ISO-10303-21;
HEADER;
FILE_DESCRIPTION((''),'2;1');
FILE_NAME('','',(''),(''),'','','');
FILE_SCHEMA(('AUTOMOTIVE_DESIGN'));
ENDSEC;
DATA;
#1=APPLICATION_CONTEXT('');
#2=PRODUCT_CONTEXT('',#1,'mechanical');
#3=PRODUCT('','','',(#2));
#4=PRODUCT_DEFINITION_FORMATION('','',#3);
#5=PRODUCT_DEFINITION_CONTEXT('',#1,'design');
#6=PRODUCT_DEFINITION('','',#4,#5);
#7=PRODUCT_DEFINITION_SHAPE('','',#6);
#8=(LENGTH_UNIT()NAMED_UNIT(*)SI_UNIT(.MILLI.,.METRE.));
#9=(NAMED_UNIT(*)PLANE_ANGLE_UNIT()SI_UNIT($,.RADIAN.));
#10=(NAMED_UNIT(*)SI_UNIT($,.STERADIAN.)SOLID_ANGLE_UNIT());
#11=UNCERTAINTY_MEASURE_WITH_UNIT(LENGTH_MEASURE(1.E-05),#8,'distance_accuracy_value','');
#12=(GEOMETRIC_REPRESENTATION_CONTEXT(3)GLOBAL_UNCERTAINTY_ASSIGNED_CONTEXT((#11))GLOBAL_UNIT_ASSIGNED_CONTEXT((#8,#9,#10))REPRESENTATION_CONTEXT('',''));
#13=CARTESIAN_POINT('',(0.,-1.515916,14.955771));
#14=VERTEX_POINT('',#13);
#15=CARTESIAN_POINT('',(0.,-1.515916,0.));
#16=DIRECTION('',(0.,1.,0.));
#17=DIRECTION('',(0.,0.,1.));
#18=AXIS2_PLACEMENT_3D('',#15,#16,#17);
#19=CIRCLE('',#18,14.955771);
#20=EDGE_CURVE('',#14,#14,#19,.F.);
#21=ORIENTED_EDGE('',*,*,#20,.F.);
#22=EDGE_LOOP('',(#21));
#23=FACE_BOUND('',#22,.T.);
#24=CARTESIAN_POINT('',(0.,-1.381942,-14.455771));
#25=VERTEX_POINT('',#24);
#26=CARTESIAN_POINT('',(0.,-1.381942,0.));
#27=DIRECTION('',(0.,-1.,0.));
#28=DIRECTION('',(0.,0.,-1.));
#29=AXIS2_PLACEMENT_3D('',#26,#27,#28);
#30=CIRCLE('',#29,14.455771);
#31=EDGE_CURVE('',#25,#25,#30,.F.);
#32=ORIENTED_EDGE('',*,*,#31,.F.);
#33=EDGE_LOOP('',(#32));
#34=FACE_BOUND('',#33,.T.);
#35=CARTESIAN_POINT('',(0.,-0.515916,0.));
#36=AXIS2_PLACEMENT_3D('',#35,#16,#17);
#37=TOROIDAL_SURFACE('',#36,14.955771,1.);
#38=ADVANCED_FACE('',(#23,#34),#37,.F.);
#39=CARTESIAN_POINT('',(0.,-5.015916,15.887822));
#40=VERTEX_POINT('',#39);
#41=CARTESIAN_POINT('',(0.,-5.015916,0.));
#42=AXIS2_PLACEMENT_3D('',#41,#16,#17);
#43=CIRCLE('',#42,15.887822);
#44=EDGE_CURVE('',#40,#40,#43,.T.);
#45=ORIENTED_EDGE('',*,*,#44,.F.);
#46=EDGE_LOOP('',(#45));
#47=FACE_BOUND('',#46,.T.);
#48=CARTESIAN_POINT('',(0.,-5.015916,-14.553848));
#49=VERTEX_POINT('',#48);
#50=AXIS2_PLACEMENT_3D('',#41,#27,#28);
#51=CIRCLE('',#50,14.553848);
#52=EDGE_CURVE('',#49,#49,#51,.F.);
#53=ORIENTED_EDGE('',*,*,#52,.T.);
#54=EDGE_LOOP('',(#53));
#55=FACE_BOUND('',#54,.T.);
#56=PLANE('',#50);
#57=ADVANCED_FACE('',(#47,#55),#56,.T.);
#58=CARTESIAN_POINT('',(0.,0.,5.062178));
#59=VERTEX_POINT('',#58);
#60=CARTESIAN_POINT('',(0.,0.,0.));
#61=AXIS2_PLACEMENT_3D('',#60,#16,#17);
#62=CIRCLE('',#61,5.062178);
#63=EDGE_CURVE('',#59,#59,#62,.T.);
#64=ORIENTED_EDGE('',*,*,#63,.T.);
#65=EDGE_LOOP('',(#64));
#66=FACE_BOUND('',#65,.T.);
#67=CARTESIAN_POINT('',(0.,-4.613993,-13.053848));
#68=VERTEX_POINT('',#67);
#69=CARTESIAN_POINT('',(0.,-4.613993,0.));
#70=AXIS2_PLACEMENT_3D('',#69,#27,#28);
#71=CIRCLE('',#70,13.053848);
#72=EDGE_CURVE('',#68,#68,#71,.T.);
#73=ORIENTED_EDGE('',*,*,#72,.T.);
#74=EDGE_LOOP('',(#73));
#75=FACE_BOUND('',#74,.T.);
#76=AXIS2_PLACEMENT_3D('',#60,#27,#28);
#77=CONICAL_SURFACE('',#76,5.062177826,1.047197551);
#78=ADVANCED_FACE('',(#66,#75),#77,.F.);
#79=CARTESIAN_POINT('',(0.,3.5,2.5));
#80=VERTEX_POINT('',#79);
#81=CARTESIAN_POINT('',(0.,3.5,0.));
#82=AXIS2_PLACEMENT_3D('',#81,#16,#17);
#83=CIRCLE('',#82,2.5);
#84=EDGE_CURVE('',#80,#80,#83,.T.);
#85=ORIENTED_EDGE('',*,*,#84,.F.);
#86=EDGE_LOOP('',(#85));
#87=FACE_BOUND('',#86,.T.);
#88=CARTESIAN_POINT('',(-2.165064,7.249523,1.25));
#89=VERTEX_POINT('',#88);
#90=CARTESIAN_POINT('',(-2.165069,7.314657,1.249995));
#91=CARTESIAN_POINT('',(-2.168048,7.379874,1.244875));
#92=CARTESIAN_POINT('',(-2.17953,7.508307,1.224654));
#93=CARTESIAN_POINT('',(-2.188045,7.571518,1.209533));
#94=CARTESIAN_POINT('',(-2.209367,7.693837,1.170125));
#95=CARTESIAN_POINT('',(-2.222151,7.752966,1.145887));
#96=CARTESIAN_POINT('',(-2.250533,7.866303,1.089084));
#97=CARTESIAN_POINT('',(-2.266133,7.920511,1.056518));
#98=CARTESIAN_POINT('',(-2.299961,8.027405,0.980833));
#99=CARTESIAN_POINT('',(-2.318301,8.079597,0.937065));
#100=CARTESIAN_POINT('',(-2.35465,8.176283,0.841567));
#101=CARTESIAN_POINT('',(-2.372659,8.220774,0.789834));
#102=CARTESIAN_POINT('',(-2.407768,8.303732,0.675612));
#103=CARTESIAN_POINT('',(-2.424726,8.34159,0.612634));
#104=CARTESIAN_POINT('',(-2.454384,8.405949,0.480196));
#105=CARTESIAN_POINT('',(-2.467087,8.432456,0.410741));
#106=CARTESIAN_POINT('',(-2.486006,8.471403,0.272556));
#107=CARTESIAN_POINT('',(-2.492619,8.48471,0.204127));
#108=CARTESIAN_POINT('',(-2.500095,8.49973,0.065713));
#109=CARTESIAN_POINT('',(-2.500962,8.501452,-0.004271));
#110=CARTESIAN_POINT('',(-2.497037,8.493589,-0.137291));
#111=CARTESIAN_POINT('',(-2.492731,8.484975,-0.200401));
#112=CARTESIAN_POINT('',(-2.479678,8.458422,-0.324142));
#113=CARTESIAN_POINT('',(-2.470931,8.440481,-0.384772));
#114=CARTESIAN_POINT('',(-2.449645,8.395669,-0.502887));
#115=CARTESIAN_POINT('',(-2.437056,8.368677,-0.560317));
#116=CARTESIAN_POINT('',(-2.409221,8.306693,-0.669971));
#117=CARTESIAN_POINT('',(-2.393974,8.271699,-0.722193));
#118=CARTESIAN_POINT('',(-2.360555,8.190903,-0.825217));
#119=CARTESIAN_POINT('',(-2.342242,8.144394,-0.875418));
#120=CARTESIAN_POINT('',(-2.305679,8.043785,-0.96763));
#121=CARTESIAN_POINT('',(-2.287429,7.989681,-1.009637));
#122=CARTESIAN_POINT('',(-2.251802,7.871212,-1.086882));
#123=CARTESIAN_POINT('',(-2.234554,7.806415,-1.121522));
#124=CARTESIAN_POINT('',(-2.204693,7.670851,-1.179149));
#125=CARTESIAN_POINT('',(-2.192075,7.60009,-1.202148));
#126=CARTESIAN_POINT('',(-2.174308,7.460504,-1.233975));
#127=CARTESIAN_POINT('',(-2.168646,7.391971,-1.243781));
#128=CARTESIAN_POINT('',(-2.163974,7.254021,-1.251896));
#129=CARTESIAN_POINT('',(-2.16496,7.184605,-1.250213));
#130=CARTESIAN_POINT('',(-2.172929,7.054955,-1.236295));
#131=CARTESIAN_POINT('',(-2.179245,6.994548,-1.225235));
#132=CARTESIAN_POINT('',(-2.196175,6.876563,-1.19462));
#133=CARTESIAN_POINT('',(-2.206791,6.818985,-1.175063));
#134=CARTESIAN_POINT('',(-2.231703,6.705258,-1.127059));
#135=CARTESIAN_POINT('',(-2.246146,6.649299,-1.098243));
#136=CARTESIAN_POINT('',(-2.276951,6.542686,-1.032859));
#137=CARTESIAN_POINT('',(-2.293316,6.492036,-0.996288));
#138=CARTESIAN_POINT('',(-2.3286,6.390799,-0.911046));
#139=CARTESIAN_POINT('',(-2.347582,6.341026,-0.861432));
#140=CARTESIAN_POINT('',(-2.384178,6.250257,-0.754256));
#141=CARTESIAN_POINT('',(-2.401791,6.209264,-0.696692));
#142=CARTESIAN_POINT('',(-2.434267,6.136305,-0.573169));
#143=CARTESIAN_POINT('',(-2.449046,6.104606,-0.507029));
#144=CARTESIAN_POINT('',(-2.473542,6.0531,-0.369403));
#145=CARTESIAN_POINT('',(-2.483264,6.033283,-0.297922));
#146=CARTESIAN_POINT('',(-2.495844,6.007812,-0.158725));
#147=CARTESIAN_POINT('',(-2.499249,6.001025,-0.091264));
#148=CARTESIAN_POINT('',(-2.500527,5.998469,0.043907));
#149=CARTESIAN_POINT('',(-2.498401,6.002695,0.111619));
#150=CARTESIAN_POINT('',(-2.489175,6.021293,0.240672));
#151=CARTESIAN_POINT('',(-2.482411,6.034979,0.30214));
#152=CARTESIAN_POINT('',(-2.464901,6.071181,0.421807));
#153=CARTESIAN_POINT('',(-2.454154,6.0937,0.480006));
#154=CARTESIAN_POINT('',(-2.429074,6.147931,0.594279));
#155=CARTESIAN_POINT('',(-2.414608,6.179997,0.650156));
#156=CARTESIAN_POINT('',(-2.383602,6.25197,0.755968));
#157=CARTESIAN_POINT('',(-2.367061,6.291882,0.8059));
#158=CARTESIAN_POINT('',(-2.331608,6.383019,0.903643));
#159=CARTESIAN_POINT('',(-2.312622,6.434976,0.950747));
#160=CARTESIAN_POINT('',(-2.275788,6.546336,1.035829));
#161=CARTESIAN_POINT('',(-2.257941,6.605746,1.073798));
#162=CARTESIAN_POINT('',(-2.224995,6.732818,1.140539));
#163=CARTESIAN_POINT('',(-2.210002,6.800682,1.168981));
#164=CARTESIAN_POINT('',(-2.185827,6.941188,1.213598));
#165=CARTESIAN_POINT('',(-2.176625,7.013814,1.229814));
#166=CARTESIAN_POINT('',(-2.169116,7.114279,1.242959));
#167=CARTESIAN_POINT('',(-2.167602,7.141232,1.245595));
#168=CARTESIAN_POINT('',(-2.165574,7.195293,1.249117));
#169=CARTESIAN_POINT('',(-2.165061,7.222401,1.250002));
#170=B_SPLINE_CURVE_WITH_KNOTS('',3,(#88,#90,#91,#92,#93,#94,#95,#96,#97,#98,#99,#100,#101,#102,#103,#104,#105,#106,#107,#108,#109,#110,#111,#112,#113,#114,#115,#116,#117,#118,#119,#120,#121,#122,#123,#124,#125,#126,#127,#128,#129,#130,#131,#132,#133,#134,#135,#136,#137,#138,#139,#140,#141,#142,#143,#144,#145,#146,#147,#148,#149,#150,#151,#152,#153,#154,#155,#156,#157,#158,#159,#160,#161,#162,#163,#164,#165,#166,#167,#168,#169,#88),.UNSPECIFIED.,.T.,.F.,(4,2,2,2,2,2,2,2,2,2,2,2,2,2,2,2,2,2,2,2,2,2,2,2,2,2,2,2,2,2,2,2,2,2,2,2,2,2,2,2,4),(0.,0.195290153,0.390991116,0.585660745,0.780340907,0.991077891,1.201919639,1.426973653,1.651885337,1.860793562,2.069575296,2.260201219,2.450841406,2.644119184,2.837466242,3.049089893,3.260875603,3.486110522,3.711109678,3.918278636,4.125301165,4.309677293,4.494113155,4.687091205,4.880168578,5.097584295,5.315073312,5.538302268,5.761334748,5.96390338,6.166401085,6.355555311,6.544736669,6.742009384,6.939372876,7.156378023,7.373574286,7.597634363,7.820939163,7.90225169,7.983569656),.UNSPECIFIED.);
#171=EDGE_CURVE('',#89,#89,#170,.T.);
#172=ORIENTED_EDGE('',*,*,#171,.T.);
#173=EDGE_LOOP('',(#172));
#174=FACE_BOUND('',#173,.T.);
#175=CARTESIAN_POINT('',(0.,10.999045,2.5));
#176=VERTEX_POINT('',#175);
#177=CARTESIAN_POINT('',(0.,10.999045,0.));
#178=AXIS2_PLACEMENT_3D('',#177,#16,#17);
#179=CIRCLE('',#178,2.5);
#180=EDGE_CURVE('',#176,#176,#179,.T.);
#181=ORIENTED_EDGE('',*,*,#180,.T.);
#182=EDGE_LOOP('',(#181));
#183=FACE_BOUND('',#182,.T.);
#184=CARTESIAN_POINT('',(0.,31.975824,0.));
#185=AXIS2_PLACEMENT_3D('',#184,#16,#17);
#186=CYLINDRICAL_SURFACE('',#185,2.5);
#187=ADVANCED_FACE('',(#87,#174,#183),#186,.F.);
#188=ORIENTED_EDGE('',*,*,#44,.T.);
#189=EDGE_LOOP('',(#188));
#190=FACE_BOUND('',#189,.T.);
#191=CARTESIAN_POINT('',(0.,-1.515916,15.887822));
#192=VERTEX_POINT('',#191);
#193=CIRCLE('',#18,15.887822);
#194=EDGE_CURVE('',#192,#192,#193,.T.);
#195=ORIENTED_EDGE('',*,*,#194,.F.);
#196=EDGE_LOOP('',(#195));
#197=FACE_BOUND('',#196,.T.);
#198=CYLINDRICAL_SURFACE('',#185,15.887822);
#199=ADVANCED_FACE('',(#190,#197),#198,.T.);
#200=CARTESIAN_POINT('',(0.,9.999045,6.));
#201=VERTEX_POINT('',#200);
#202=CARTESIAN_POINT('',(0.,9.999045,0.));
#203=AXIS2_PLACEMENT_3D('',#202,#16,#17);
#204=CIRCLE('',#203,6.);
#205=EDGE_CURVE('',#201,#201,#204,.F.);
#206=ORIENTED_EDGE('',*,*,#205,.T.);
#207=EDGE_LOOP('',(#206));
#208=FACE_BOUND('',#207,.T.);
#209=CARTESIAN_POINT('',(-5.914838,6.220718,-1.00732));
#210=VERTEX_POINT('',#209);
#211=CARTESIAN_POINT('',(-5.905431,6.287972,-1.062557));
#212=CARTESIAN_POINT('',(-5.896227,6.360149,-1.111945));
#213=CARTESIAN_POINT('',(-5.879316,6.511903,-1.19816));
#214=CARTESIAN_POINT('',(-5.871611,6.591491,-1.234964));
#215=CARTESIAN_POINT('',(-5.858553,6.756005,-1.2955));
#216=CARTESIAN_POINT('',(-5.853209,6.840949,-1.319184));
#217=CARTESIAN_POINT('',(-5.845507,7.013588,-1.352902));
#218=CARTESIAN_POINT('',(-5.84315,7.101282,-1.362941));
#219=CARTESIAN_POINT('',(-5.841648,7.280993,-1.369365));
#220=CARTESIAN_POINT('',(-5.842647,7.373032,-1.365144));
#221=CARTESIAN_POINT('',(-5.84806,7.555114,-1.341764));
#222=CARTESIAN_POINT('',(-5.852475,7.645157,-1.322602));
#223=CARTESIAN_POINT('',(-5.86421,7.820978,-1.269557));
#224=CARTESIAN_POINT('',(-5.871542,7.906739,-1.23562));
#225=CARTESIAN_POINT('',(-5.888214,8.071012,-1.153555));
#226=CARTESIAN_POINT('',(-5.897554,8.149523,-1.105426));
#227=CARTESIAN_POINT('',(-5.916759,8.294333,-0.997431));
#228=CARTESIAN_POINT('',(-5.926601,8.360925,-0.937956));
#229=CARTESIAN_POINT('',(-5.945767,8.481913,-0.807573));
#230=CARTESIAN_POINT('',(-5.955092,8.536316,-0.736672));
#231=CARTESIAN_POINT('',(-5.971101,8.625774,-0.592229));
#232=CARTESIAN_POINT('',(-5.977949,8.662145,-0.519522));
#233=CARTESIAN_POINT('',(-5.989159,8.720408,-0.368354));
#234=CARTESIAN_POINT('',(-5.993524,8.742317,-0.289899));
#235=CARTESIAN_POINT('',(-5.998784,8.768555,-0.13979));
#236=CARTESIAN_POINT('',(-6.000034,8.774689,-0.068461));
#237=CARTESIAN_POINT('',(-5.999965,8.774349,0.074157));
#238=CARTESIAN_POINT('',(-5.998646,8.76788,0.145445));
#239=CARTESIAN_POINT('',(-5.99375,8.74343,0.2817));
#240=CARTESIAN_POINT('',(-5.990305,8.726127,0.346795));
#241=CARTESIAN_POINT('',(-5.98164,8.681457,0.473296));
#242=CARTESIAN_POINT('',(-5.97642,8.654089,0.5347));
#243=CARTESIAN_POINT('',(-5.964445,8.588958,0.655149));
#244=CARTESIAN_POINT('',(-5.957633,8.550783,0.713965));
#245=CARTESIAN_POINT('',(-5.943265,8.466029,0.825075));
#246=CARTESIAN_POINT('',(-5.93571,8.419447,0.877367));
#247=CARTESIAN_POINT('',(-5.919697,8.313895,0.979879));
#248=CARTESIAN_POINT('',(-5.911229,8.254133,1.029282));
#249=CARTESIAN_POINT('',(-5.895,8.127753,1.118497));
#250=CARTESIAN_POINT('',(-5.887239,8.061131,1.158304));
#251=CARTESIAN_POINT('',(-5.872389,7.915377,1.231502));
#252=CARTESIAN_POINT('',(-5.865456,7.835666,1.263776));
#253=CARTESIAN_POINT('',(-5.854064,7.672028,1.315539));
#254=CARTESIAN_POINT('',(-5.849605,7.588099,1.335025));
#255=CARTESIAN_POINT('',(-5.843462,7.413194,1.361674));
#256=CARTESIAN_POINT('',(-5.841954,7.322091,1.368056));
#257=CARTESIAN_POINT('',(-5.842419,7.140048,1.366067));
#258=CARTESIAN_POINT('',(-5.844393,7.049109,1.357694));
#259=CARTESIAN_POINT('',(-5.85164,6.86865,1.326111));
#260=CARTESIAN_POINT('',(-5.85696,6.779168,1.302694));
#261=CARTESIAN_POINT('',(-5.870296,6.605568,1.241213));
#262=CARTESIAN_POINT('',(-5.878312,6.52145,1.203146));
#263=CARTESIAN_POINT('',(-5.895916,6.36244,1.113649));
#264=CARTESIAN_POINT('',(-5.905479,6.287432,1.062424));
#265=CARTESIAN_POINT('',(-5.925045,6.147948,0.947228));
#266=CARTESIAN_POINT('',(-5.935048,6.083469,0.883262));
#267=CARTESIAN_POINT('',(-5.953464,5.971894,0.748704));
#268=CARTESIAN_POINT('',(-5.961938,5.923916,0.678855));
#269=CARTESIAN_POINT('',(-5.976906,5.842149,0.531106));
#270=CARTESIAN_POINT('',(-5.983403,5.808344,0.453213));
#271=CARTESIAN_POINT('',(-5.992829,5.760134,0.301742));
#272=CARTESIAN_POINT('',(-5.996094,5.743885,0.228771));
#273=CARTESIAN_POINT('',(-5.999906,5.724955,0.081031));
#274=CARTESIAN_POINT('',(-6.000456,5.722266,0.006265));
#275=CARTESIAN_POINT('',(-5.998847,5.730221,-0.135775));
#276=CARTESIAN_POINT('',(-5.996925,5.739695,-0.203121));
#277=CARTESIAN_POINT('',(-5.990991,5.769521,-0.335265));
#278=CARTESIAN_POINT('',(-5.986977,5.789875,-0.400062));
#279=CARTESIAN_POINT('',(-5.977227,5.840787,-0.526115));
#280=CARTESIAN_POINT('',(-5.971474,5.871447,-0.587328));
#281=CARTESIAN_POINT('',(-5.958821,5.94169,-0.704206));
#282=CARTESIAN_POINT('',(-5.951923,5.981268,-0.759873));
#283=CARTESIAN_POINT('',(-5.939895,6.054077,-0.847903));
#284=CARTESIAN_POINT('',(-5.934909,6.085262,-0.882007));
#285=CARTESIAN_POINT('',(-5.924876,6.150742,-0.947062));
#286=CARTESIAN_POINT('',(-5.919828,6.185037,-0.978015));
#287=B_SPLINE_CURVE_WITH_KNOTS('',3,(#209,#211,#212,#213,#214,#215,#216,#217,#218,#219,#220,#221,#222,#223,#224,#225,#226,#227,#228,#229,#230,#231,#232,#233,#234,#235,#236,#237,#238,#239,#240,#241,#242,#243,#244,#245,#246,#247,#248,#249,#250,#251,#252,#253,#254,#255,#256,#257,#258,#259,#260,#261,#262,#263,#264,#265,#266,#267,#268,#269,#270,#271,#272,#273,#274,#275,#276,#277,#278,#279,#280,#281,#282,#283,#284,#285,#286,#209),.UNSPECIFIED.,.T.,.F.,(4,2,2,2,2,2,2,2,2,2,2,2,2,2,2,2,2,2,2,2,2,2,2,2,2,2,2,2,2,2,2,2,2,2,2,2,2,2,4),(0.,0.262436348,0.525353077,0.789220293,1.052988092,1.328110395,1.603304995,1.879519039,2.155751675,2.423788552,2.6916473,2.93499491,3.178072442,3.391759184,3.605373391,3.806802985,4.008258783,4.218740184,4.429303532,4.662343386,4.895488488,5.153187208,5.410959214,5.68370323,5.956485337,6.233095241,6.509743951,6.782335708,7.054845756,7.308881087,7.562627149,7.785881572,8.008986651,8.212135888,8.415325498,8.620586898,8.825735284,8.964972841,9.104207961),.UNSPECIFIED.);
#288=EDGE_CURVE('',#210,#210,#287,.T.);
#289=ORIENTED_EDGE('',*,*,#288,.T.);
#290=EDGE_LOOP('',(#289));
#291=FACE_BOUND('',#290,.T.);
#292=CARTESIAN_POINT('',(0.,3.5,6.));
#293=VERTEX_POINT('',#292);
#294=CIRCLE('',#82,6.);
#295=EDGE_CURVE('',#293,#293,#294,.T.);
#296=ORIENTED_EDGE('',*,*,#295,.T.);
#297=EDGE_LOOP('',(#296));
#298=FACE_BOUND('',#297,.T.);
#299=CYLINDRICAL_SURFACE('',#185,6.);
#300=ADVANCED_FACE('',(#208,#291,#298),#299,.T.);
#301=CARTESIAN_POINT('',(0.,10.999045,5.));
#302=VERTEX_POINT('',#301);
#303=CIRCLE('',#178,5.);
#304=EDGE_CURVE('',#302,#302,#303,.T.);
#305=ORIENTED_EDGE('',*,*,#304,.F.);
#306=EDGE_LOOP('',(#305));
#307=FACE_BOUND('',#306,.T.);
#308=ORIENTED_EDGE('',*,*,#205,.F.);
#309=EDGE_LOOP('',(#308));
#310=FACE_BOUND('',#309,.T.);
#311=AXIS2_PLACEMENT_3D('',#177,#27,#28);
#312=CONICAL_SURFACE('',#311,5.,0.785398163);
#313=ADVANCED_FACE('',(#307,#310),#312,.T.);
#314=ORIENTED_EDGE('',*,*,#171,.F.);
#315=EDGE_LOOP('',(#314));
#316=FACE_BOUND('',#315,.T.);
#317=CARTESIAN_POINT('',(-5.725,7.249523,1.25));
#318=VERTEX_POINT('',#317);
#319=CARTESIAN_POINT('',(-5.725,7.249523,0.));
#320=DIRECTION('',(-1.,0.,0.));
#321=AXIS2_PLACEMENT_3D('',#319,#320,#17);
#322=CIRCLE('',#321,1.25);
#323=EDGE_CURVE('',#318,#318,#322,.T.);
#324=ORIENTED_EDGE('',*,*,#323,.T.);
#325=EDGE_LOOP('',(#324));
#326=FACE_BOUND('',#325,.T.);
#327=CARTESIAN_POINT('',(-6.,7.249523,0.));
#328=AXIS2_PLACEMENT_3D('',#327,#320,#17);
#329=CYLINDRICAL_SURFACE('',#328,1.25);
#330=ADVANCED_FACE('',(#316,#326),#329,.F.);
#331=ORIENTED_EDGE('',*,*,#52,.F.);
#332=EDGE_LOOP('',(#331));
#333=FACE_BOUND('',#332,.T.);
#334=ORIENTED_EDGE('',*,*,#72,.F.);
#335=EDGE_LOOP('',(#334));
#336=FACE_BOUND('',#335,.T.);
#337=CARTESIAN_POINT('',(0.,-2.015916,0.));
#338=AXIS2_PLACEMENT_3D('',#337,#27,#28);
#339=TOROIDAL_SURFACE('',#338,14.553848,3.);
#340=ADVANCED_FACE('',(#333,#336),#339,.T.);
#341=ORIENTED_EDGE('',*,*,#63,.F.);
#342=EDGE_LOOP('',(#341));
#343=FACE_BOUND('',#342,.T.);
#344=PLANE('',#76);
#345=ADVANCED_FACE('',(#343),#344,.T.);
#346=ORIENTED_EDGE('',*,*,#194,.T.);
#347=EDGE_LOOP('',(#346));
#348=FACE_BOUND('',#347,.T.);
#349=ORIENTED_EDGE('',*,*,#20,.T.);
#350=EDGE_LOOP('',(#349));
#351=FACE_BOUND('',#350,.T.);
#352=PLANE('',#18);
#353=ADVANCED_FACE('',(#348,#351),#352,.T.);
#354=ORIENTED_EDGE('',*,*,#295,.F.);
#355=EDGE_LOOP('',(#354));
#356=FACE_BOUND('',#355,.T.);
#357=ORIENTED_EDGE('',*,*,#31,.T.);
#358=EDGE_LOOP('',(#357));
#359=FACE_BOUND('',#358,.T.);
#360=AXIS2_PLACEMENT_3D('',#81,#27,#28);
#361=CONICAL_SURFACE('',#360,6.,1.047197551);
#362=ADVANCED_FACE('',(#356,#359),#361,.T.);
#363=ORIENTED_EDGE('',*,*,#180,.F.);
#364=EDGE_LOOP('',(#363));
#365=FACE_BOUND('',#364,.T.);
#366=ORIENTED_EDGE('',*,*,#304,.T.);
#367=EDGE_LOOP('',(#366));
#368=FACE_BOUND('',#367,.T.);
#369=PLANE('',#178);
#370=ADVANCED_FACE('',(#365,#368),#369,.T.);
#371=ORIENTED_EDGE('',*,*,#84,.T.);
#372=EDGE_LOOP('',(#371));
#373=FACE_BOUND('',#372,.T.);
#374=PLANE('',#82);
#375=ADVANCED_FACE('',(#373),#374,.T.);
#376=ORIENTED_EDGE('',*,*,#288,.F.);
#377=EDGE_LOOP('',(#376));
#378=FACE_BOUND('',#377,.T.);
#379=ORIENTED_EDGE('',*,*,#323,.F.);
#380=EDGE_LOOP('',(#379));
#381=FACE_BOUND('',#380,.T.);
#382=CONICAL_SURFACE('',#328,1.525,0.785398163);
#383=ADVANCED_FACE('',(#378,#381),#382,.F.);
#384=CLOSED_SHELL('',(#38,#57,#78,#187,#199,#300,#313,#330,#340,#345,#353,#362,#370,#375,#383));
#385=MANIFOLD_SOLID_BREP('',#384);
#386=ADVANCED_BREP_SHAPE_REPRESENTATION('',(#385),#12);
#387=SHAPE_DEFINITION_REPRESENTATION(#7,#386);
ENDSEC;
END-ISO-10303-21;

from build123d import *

# Parameters (mm, degrees)
FILLET1_R     = 3
CHAMFER1_SIZE = 1
FILLET2_R     = 1


with BuildPart() as part:
    # Sketch1 → Revolve1 (revolve)
    with BuildSketch(Plane.XY, mode=Mode.PRIVATE) as revolve1_sk:
        Polygon((6, 10.999045222), (2.5, 10.999045222), (2.5, 3.5), (0, 3.5), (0, 0), (5.062177826, 0), (13.75, -5.015916471), (15.887822174, -5.015916471), (15.887822174, -1.515916471), (14.687822174, -1.515916471), (6, 3.5), align=None)
    revolve(revolve1_sk.sketch.rotate(Axis((0, 31.975823544, 0), (0, -1, 0)), 90), axis=Axis((0, 31.975823544, 0), (0, -1, 0)))

    # Fillet1
    fillet1_edges = [part.edges().sort_by_distance(p)[0] for p in [
        (0, -5.015916471, -13.75),
    ]]
    fillet(fillet1_edges, radius=FILLET1_R)

    # Chamfer1
    chamfer1_edges = [part.edges().sort_by_distance(p)[0] for p in [
        (0, 10.999045222, -6),
    ]]
    chamfer(chamfer1_edges, length=CHAMFER1_SIZE)

    # Fillet2
    fillet2_edges = [part.edges().sort_by_distance(p)[0] for p in [
        (0, -1.515916471, -14.687822174),
    ]]
    fillet(fillet2_edges, radius=FILLET2_R)

    # Sketch4 → M3 Tapped Hole1 (revolve, cut)
    with BuildSketch(Plane(origin=(-6, 7.249522611, 0), x_dir=(0, 0, 1), z_dir=(0, 1, 0))):
        Polygon((0, 0), (0, 7.251075774), (1.25, 6.5), (1.25, 0.275), (1.525, 0), align=None)
    revolve(axis=Axis((-12.35, 7.249522611, 0), (1, 0, 0)), mode=Mode.SUBTRACT)


solid = part.part
